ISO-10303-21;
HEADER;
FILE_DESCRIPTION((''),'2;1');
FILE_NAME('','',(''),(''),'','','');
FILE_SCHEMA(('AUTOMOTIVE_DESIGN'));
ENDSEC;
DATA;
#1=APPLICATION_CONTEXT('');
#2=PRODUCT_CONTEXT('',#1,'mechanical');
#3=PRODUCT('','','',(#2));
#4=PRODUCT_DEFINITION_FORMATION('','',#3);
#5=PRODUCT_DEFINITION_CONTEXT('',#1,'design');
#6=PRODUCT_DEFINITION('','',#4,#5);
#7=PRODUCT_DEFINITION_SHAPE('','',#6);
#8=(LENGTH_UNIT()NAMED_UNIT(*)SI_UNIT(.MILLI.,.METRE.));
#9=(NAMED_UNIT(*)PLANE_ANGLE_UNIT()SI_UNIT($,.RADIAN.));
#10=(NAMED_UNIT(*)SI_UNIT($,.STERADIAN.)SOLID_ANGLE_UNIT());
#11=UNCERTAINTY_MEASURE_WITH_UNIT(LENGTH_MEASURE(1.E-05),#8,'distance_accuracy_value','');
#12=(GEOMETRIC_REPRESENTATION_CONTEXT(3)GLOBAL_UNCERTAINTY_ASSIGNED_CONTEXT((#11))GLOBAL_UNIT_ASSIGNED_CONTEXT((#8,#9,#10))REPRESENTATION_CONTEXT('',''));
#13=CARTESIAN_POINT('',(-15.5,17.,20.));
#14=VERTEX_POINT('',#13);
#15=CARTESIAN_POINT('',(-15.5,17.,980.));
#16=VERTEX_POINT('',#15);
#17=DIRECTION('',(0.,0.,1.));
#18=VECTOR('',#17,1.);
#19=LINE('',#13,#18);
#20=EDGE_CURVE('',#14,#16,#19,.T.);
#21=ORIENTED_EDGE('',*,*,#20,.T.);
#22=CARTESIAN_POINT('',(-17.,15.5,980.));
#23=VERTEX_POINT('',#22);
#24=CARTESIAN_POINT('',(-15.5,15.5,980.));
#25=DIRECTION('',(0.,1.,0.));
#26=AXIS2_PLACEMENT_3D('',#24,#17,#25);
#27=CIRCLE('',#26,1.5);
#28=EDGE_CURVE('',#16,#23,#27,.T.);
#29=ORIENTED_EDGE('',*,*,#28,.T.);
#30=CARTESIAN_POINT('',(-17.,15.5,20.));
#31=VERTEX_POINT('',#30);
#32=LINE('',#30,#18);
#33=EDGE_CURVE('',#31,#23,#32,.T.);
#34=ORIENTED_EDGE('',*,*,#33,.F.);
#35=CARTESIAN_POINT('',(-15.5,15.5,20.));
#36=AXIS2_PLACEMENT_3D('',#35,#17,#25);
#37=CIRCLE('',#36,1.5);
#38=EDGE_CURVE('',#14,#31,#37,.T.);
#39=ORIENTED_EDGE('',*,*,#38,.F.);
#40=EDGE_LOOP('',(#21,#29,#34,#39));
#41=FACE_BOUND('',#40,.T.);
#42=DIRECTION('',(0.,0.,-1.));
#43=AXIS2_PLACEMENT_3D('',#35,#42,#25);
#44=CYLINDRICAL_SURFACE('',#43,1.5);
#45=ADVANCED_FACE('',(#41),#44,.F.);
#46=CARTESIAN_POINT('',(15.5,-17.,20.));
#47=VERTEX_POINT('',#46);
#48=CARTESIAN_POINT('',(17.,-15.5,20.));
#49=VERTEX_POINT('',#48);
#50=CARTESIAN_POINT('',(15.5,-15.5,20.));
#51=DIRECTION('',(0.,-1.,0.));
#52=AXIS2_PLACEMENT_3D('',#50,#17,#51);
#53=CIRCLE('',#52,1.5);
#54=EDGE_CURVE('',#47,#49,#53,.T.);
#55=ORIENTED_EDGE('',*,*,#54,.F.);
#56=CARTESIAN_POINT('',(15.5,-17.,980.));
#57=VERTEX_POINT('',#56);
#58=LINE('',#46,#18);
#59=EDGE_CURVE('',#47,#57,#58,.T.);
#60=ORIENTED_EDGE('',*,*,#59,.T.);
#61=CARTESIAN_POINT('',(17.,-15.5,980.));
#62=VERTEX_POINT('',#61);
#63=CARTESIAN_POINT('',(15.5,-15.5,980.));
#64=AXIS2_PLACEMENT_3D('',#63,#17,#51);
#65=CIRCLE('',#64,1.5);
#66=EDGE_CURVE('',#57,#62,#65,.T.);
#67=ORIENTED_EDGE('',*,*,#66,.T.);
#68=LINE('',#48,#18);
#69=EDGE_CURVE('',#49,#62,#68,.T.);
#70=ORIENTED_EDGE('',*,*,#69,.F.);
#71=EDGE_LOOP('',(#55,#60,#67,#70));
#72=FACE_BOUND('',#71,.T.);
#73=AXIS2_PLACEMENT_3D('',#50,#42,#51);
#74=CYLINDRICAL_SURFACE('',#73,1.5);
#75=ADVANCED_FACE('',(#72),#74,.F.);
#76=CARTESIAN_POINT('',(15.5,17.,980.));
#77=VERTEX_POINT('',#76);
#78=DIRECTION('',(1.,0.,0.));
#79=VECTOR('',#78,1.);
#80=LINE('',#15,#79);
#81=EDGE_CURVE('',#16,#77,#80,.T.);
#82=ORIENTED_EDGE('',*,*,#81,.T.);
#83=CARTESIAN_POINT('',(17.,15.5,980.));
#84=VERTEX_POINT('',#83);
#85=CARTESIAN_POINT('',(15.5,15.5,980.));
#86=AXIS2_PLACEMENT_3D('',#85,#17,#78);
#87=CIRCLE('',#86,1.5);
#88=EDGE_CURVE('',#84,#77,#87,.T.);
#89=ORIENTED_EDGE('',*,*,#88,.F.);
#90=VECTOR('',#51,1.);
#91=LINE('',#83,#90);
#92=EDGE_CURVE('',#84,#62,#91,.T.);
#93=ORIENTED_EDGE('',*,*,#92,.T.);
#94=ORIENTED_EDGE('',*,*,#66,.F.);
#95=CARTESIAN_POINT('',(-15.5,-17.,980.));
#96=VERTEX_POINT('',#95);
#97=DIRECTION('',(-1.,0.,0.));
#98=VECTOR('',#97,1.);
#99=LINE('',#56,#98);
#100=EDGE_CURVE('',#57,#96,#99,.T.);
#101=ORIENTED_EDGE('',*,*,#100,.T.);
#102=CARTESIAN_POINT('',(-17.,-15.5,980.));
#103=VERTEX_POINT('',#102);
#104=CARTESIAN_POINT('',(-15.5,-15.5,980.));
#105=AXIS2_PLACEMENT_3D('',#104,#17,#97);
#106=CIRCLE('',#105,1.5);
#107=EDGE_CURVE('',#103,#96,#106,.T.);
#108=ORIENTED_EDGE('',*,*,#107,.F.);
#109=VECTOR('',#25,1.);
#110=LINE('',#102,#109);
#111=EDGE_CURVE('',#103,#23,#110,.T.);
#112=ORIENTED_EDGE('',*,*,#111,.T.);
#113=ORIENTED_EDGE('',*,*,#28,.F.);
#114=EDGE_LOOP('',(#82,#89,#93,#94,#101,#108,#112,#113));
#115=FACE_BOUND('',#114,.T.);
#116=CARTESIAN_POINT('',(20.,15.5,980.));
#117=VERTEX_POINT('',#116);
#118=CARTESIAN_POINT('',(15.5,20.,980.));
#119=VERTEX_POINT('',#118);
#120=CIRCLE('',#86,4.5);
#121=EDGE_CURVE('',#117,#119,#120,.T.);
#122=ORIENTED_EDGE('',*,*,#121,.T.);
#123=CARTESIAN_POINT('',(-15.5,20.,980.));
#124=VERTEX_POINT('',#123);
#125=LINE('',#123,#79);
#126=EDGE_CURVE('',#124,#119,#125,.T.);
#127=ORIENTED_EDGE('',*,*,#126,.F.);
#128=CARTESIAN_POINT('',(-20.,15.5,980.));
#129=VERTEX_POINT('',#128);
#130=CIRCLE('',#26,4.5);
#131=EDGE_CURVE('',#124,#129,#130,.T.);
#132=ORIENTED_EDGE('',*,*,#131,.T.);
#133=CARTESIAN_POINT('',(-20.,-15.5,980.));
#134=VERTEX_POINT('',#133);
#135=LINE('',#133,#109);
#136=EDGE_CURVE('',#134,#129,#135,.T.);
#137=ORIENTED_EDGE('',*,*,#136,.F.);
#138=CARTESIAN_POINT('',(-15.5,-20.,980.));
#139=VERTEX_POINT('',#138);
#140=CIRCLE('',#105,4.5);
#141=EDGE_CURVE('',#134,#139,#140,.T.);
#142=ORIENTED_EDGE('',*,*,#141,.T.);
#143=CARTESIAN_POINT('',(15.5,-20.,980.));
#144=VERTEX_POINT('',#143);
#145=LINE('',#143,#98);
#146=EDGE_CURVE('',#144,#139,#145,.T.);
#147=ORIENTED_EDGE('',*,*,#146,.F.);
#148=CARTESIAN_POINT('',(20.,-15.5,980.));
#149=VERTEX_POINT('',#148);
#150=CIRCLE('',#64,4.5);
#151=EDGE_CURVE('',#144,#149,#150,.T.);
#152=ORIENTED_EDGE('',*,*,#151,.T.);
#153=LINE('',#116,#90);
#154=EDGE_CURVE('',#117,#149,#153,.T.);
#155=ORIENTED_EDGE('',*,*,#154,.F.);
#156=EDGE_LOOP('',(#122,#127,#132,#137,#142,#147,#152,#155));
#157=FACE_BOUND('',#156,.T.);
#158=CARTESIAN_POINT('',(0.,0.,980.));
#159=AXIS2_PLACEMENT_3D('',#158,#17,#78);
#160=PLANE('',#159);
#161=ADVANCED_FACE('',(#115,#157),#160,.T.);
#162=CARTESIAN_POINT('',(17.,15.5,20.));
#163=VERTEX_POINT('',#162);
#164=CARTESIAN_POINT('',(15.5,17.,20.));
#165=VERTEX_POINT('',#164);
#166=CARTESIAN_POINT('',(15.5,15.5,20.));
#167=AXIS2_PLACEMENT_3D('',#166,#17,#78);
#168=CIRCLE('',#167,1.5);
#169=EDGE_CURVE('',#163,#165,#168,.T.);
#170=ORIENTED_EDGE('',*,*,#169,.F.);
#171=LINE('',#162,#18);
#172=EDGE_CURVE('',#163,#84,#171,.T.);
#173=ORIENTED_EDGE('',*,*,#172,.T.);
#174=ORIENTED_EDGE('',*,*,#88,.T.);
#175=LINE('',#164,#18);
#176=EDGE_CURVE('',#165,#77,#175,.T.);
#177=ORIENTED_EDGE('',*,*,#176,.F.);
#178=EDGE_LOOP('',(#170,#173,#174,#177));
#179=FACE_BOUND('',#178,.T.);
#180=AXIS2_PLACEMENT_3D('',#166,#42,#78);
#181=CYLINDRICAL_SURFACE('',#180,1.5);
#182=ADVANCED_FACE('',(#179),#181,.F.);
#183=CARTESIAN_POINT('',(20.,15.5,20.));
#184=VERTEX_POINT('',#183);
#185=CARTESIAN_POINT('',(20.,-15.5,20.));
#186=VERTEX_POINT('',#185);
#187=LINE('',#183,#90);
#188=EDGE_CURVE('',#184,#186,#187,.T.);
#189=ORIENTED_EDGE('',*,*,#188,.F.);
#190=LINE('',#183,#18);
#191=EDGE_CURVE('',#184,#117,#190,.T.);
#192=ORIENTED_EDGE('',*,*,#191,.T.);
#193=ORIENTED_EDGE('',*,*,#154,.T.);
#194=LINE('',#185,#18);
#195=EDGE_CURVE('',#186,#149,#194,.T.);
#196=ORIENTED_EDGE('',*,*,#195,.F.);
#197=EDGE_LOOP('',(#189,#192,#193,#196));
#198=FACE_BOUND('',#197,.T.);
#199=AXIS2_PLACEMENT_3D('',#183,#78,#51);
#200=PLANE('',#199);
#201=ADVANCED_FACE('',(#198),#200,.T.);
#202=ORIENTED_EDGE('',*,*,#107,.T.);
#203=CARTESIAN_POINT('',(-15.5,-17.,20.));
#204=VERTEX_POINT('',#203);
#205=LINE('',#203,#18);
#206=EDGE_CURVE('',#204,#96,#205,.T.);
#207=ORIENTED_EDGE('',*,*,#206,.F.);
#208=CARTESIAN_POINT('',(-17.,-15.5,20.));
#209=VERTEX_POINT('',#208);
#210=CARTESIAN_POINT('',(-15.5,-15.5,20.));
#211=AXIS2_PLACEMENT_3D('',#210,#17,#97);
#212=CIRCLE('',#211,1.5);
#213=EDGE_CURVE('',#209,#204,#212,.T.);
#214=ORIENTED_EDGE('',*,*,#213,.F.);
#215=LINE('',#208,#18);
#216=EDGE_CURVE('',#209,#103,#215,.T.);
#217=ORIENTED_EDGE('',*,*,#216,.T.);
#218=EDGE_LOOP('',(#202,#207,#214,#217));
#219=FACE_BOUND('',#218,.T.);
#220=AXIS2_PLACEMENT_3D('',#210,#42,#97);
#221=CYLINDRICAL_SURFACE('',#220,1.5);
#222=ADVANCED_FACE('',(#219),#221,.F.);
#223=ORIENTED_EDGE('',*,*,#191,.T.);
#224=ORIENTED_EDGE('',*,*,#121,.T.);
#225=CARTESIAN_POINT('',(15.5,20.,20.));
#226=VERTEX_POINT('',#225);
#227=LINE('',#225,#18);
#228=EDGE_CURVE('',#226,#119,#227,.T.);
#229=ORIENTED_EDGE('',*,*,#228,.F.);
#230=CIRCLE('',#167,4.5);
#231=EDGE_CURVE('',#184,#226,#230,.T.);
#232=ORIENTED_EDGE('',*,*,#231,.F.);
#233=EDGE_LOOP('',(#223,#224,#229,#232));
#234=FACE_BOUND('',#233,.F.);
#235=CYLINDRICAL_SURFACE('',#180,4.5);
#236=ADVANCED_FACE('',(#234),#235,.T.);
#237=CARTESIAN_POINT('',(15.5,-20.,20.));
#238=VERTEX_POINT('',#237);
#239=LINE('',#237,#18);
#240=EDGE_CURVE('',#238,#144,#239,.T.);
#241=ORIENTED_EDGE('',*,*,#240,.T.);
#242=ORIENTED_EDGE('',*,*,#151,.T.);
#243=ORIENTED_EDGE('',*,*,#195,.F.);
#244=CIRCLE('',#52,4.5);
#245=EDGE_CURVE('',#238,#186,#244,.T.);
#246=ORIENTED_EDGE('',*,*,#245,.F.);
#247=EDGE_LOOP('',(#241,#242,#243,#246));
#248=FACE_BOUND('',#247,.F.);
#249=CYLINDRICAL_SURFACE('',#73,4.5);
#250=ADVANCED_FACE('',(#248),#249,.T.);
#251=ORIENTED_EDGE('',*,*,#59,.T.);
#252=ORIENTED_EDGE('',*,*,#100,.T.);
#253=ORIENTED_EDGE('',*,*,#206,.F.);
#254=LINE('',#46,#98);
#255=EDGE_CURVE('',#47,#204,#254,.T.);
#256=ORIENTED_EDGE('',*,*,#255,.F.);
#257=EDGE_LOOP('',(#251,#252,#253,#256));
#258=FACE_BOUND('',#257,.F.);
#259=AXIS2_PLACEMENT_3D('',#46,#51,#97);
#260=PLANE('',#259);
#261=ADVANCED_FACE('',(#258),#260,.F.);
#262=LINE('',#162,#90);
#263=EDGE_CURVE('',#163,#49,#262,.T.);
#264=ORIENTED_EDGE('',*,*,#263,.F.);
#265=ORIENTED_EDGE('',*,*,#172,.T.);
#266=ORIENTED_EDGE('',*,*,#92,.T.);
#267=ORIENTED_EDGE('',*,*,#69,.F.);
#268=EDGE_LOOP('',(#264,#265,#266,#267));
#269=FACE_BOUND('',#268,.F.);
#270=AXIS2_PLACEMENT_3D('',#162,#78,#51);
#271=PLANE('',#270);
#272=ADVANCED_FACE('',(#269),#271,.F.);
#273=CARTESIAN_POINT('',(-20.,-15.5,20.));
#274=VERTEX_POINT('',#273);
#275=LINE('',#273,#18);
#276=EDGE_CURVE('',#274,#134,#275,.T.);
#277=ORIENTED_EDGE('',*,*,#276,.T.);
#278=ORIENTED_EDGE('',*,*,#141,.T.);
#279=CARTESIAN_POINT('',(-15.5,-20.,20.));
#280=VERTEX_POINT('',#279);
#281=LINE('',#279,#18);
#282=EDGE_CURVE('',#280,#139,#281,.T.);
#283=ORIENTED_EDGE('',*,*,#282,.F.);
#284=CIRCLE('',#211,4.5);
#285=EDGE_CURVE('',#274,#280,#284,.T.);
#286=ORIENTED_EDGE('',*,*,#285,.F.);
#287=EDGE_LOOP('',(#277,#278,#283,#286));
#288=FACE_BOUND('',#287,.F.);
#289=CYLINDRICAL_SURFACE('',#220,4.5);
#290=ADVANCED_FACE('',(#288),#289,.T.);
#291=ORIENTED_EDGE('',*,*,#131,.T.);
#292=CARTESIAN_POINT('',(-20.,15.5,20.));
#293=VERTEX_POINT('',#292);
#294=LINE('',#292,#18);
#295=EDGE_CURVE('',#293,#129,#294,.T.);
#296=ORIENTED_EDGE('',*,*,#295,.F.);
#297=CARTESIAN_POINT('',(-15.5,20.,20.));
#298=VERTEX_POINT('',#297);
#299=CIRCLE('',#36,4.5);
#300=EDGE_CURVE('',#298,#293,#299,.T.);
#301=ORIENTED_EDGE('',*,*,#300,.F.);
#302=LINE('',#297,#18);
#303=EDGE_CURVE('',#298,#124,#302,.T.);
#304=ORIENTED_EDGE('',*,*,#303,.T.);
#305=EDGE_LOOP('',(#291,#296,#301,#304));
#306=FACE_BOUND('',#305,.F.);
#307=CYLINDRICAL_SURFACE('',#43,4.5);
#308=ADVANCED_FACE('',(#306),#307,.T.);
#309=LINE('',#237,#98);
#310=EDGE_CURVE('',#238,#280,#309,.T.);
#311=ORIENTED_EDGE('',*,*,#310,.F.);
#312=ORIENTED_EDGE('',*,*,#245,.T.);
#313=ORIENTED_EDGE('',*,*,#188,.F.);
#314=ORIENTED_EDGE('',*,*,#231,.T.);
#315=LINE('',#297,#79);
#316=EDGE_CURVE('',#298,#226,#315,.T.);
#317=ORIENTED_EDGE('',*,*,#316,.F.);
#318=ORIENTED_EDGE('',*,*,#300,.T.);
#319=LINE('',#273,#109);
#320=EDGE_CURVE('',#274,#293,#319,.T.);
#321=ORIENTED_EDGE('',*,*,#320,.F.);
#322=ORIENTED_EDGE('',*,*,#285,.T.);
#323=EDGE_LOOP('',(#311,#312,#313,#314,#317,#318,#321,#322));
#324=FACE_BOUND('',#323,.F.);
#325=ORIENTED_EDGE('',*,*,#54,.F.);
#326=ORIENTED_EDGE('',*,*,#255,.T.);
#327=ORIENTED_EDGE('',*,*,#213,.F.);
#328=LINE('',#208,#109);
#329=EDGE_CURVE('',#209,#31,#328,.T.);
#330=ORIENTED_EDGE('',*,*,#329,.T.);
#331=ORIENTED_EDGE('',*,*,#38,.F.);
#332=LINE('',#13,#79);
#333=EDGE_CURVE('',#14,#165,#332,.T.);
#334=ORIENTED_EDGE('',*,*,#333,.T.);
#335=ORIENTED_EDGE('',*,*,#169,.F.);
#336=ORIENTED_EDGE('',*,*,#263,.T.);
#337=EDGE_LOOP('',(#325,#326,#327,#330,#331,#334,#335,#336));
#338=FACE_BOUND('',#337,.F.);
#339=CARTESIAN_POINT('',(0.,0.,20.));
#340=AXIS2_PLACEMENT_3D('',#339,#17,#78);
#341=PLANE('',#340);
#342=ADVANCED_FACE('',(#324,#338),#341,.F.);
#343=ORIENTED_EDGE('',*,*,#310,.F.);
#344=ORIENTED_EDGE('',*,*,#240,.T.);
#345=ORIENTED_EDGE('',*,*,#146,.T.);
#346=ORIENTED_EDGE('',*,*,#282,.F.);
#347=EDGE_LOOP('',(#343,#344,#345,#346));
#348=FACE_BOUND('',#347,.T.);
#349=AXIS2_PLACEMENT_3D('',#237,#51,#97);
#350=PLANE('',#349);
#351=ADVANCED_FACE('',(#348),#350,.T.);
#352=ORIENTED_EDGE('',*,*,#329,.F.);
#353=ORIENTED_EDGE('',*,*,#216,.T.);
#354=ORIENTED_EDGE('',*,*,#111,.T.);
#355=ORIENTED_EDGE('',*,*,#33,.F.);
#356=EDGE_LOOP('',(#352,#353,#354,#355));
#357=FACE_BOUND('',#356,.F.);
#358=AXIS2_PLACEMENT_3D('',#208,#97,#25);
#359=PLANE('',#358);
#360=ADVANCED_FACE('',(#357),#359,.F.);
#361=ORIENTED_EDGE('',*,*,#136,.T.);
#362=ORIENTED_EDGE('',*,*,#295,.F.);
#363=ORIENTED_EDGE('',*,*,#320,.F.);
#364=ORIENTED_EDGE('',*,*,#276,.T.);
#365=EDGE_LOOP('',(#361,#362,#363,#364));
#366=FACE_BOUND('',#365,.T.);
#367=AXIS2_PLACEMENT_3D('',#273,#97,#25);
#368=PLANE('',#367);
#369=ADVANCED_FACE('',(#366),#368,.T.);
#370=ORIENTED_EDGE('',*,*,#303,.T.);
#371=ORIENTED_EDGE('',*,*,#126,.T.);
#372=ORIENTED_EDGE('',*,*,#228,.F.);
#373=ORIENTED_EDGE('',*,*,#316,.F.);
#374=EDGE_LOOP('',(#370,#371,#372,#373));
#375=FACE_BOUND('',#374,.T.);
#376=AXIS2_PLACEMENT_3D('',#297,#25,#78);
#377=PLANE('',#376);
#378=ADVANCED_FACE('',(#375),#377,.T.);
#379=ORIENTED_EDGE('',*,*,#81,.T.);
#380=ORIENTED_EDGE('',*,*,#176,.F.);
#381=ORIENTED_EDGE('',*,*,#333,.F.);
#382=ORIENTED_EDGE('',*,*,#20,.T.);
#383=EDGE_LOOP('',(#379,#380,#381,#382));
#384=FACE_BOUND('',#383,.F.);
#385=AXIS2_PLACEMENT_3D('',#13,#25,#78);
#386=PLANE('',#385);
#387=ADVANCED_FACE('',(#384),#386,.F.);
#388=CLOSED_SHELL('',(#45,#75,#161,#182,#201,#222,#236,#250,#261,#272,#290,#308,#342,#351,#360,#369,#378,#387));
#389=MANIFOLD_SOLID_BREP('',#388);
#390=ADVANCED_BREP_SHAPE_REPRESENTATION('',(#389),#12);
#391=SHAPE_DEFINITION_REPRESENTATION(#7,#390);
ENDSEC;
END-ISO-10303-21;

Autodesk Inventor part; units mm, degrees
ref_plane "Start Plane" through (0, 0, 20) normal (0, 0, 1) x (1, 0, 0)
ref_plane "End Plane" through (0, 0, 980) normal (0, 0, 1) x (1, 0, 0)
sketch "Sketch" plane through (0, 0, 0) normal (0, 0, 1) x (1, 0, 0)
  line L0 (-20, -15.5) -> (-20, 15.5)
  line L1 (-15.5, 20) -> (15.5, 20)
  line L2 (20, 15.5) -> (20, -15.5)
  line L3 (15.5, -20) -> (-15.5, -20)
  arc A0 (-20, -15.5) -> (-15.5, -20) centre (-15.5, -15.5) ccw
  arc A1 (-15.5, 20) -> (-20, 15.5) centre (-15.5, 15.5) ccw
  arc A2 (20, 15.5) -> (15.5, 20) centre (15.5, 15.5) ccw
  arc A3 (15.5, -20) -> (20, -15.5) centre (15.5, -15.5) ccw
  arc A4 (-15.5, 17) -> (-17, 15.5) centre (-15.5, 15.5) ccw
  line L4 (-15.5, 17) -> (15.5, 17)
  arc A5 (17, 15.5) -> (15.5, 17) centre (15.5, 15.5) ccw
  line L5 (17, 15.5) -> (17, -15.5)
  arc A6 (15.5, -17) -> (17, -15.5) centre (15.5, -15.5) ccw
  line L6 (15.5, -17) -> (-15.5, -17)
  arc A7 (-17, -15.5) -> (-15.5, -17) centre (-15.5, -15.5) ccw
  line L7 (-17, -15.5) -> (-17, 15.5)
  line L8 (0, 29.3048) -> (0, -29.3048) construction
  line L9 (-29.3048, 0) -> (29.3048, 0) construction
  dimension "d7" = 4.5
  dimension "d10" = 40
  dimension "d11" = 40
  dimension "d12" = 3
  dimension "d15" = 20
  dimension "d16" = 20
extrude "Body" add sketch "Sketch" along normal up to surface (960 mm away) from surface at 20
sketch "Sketch3" plane through (0, 0, 0) normal (0, 0, 1) x (1, 0, 0)
  line L0 (0, 0) -> (10, 0)
ref_plane "Work Plane3" through (0, 0, 0) normal (0, -1, 0) x (1, 0, 0)
ref_plane "Work Plane4" through (-15.5, 1680, 20) normal (0, 0, -1) x (-1, 0, 0)
split "Split1" plane through (-15.5, 1680, 20) removes the side toward (0, 0, -1)
ref_plane "Work Plane5" through (15.5, 1680, 980) normal (0, 0, 1) x (1, 0, 0)
split "Split2" plane through (15.5, 1680, 980) removes the side toward (0, 0, 1)
sketch "Sketch4" plane through (0, 0, 0) normal (0, -1, 0) x (1, 0, 0)
  line L0 (-2, 20) -> (12, 20) projected
  line L1 (-2, 980) -> (12, 980) projected
  dimension "d18" = 960
equation "\"d7\" = G_IR"
equation "\"d10\" = G_H"
equation "\"d11\" = G_W"
equation "\"d12\" = G_T"
equation "\"d15\" = 0.5 * d10"
equation "\"d16\" = 0.5 * d11"
equation "\"d3\" = G_L"
equation "\"G_W\" = 40"
equation "\"G_H\" = 40"
equation "\"G_T\" = 3"
equation "\"G_IR\" = 4.5"
equation "\"G_L\" = d18"
properties part number "ISO 12633-2 - 40x40x3 - 960" material "Steel, Mild"
